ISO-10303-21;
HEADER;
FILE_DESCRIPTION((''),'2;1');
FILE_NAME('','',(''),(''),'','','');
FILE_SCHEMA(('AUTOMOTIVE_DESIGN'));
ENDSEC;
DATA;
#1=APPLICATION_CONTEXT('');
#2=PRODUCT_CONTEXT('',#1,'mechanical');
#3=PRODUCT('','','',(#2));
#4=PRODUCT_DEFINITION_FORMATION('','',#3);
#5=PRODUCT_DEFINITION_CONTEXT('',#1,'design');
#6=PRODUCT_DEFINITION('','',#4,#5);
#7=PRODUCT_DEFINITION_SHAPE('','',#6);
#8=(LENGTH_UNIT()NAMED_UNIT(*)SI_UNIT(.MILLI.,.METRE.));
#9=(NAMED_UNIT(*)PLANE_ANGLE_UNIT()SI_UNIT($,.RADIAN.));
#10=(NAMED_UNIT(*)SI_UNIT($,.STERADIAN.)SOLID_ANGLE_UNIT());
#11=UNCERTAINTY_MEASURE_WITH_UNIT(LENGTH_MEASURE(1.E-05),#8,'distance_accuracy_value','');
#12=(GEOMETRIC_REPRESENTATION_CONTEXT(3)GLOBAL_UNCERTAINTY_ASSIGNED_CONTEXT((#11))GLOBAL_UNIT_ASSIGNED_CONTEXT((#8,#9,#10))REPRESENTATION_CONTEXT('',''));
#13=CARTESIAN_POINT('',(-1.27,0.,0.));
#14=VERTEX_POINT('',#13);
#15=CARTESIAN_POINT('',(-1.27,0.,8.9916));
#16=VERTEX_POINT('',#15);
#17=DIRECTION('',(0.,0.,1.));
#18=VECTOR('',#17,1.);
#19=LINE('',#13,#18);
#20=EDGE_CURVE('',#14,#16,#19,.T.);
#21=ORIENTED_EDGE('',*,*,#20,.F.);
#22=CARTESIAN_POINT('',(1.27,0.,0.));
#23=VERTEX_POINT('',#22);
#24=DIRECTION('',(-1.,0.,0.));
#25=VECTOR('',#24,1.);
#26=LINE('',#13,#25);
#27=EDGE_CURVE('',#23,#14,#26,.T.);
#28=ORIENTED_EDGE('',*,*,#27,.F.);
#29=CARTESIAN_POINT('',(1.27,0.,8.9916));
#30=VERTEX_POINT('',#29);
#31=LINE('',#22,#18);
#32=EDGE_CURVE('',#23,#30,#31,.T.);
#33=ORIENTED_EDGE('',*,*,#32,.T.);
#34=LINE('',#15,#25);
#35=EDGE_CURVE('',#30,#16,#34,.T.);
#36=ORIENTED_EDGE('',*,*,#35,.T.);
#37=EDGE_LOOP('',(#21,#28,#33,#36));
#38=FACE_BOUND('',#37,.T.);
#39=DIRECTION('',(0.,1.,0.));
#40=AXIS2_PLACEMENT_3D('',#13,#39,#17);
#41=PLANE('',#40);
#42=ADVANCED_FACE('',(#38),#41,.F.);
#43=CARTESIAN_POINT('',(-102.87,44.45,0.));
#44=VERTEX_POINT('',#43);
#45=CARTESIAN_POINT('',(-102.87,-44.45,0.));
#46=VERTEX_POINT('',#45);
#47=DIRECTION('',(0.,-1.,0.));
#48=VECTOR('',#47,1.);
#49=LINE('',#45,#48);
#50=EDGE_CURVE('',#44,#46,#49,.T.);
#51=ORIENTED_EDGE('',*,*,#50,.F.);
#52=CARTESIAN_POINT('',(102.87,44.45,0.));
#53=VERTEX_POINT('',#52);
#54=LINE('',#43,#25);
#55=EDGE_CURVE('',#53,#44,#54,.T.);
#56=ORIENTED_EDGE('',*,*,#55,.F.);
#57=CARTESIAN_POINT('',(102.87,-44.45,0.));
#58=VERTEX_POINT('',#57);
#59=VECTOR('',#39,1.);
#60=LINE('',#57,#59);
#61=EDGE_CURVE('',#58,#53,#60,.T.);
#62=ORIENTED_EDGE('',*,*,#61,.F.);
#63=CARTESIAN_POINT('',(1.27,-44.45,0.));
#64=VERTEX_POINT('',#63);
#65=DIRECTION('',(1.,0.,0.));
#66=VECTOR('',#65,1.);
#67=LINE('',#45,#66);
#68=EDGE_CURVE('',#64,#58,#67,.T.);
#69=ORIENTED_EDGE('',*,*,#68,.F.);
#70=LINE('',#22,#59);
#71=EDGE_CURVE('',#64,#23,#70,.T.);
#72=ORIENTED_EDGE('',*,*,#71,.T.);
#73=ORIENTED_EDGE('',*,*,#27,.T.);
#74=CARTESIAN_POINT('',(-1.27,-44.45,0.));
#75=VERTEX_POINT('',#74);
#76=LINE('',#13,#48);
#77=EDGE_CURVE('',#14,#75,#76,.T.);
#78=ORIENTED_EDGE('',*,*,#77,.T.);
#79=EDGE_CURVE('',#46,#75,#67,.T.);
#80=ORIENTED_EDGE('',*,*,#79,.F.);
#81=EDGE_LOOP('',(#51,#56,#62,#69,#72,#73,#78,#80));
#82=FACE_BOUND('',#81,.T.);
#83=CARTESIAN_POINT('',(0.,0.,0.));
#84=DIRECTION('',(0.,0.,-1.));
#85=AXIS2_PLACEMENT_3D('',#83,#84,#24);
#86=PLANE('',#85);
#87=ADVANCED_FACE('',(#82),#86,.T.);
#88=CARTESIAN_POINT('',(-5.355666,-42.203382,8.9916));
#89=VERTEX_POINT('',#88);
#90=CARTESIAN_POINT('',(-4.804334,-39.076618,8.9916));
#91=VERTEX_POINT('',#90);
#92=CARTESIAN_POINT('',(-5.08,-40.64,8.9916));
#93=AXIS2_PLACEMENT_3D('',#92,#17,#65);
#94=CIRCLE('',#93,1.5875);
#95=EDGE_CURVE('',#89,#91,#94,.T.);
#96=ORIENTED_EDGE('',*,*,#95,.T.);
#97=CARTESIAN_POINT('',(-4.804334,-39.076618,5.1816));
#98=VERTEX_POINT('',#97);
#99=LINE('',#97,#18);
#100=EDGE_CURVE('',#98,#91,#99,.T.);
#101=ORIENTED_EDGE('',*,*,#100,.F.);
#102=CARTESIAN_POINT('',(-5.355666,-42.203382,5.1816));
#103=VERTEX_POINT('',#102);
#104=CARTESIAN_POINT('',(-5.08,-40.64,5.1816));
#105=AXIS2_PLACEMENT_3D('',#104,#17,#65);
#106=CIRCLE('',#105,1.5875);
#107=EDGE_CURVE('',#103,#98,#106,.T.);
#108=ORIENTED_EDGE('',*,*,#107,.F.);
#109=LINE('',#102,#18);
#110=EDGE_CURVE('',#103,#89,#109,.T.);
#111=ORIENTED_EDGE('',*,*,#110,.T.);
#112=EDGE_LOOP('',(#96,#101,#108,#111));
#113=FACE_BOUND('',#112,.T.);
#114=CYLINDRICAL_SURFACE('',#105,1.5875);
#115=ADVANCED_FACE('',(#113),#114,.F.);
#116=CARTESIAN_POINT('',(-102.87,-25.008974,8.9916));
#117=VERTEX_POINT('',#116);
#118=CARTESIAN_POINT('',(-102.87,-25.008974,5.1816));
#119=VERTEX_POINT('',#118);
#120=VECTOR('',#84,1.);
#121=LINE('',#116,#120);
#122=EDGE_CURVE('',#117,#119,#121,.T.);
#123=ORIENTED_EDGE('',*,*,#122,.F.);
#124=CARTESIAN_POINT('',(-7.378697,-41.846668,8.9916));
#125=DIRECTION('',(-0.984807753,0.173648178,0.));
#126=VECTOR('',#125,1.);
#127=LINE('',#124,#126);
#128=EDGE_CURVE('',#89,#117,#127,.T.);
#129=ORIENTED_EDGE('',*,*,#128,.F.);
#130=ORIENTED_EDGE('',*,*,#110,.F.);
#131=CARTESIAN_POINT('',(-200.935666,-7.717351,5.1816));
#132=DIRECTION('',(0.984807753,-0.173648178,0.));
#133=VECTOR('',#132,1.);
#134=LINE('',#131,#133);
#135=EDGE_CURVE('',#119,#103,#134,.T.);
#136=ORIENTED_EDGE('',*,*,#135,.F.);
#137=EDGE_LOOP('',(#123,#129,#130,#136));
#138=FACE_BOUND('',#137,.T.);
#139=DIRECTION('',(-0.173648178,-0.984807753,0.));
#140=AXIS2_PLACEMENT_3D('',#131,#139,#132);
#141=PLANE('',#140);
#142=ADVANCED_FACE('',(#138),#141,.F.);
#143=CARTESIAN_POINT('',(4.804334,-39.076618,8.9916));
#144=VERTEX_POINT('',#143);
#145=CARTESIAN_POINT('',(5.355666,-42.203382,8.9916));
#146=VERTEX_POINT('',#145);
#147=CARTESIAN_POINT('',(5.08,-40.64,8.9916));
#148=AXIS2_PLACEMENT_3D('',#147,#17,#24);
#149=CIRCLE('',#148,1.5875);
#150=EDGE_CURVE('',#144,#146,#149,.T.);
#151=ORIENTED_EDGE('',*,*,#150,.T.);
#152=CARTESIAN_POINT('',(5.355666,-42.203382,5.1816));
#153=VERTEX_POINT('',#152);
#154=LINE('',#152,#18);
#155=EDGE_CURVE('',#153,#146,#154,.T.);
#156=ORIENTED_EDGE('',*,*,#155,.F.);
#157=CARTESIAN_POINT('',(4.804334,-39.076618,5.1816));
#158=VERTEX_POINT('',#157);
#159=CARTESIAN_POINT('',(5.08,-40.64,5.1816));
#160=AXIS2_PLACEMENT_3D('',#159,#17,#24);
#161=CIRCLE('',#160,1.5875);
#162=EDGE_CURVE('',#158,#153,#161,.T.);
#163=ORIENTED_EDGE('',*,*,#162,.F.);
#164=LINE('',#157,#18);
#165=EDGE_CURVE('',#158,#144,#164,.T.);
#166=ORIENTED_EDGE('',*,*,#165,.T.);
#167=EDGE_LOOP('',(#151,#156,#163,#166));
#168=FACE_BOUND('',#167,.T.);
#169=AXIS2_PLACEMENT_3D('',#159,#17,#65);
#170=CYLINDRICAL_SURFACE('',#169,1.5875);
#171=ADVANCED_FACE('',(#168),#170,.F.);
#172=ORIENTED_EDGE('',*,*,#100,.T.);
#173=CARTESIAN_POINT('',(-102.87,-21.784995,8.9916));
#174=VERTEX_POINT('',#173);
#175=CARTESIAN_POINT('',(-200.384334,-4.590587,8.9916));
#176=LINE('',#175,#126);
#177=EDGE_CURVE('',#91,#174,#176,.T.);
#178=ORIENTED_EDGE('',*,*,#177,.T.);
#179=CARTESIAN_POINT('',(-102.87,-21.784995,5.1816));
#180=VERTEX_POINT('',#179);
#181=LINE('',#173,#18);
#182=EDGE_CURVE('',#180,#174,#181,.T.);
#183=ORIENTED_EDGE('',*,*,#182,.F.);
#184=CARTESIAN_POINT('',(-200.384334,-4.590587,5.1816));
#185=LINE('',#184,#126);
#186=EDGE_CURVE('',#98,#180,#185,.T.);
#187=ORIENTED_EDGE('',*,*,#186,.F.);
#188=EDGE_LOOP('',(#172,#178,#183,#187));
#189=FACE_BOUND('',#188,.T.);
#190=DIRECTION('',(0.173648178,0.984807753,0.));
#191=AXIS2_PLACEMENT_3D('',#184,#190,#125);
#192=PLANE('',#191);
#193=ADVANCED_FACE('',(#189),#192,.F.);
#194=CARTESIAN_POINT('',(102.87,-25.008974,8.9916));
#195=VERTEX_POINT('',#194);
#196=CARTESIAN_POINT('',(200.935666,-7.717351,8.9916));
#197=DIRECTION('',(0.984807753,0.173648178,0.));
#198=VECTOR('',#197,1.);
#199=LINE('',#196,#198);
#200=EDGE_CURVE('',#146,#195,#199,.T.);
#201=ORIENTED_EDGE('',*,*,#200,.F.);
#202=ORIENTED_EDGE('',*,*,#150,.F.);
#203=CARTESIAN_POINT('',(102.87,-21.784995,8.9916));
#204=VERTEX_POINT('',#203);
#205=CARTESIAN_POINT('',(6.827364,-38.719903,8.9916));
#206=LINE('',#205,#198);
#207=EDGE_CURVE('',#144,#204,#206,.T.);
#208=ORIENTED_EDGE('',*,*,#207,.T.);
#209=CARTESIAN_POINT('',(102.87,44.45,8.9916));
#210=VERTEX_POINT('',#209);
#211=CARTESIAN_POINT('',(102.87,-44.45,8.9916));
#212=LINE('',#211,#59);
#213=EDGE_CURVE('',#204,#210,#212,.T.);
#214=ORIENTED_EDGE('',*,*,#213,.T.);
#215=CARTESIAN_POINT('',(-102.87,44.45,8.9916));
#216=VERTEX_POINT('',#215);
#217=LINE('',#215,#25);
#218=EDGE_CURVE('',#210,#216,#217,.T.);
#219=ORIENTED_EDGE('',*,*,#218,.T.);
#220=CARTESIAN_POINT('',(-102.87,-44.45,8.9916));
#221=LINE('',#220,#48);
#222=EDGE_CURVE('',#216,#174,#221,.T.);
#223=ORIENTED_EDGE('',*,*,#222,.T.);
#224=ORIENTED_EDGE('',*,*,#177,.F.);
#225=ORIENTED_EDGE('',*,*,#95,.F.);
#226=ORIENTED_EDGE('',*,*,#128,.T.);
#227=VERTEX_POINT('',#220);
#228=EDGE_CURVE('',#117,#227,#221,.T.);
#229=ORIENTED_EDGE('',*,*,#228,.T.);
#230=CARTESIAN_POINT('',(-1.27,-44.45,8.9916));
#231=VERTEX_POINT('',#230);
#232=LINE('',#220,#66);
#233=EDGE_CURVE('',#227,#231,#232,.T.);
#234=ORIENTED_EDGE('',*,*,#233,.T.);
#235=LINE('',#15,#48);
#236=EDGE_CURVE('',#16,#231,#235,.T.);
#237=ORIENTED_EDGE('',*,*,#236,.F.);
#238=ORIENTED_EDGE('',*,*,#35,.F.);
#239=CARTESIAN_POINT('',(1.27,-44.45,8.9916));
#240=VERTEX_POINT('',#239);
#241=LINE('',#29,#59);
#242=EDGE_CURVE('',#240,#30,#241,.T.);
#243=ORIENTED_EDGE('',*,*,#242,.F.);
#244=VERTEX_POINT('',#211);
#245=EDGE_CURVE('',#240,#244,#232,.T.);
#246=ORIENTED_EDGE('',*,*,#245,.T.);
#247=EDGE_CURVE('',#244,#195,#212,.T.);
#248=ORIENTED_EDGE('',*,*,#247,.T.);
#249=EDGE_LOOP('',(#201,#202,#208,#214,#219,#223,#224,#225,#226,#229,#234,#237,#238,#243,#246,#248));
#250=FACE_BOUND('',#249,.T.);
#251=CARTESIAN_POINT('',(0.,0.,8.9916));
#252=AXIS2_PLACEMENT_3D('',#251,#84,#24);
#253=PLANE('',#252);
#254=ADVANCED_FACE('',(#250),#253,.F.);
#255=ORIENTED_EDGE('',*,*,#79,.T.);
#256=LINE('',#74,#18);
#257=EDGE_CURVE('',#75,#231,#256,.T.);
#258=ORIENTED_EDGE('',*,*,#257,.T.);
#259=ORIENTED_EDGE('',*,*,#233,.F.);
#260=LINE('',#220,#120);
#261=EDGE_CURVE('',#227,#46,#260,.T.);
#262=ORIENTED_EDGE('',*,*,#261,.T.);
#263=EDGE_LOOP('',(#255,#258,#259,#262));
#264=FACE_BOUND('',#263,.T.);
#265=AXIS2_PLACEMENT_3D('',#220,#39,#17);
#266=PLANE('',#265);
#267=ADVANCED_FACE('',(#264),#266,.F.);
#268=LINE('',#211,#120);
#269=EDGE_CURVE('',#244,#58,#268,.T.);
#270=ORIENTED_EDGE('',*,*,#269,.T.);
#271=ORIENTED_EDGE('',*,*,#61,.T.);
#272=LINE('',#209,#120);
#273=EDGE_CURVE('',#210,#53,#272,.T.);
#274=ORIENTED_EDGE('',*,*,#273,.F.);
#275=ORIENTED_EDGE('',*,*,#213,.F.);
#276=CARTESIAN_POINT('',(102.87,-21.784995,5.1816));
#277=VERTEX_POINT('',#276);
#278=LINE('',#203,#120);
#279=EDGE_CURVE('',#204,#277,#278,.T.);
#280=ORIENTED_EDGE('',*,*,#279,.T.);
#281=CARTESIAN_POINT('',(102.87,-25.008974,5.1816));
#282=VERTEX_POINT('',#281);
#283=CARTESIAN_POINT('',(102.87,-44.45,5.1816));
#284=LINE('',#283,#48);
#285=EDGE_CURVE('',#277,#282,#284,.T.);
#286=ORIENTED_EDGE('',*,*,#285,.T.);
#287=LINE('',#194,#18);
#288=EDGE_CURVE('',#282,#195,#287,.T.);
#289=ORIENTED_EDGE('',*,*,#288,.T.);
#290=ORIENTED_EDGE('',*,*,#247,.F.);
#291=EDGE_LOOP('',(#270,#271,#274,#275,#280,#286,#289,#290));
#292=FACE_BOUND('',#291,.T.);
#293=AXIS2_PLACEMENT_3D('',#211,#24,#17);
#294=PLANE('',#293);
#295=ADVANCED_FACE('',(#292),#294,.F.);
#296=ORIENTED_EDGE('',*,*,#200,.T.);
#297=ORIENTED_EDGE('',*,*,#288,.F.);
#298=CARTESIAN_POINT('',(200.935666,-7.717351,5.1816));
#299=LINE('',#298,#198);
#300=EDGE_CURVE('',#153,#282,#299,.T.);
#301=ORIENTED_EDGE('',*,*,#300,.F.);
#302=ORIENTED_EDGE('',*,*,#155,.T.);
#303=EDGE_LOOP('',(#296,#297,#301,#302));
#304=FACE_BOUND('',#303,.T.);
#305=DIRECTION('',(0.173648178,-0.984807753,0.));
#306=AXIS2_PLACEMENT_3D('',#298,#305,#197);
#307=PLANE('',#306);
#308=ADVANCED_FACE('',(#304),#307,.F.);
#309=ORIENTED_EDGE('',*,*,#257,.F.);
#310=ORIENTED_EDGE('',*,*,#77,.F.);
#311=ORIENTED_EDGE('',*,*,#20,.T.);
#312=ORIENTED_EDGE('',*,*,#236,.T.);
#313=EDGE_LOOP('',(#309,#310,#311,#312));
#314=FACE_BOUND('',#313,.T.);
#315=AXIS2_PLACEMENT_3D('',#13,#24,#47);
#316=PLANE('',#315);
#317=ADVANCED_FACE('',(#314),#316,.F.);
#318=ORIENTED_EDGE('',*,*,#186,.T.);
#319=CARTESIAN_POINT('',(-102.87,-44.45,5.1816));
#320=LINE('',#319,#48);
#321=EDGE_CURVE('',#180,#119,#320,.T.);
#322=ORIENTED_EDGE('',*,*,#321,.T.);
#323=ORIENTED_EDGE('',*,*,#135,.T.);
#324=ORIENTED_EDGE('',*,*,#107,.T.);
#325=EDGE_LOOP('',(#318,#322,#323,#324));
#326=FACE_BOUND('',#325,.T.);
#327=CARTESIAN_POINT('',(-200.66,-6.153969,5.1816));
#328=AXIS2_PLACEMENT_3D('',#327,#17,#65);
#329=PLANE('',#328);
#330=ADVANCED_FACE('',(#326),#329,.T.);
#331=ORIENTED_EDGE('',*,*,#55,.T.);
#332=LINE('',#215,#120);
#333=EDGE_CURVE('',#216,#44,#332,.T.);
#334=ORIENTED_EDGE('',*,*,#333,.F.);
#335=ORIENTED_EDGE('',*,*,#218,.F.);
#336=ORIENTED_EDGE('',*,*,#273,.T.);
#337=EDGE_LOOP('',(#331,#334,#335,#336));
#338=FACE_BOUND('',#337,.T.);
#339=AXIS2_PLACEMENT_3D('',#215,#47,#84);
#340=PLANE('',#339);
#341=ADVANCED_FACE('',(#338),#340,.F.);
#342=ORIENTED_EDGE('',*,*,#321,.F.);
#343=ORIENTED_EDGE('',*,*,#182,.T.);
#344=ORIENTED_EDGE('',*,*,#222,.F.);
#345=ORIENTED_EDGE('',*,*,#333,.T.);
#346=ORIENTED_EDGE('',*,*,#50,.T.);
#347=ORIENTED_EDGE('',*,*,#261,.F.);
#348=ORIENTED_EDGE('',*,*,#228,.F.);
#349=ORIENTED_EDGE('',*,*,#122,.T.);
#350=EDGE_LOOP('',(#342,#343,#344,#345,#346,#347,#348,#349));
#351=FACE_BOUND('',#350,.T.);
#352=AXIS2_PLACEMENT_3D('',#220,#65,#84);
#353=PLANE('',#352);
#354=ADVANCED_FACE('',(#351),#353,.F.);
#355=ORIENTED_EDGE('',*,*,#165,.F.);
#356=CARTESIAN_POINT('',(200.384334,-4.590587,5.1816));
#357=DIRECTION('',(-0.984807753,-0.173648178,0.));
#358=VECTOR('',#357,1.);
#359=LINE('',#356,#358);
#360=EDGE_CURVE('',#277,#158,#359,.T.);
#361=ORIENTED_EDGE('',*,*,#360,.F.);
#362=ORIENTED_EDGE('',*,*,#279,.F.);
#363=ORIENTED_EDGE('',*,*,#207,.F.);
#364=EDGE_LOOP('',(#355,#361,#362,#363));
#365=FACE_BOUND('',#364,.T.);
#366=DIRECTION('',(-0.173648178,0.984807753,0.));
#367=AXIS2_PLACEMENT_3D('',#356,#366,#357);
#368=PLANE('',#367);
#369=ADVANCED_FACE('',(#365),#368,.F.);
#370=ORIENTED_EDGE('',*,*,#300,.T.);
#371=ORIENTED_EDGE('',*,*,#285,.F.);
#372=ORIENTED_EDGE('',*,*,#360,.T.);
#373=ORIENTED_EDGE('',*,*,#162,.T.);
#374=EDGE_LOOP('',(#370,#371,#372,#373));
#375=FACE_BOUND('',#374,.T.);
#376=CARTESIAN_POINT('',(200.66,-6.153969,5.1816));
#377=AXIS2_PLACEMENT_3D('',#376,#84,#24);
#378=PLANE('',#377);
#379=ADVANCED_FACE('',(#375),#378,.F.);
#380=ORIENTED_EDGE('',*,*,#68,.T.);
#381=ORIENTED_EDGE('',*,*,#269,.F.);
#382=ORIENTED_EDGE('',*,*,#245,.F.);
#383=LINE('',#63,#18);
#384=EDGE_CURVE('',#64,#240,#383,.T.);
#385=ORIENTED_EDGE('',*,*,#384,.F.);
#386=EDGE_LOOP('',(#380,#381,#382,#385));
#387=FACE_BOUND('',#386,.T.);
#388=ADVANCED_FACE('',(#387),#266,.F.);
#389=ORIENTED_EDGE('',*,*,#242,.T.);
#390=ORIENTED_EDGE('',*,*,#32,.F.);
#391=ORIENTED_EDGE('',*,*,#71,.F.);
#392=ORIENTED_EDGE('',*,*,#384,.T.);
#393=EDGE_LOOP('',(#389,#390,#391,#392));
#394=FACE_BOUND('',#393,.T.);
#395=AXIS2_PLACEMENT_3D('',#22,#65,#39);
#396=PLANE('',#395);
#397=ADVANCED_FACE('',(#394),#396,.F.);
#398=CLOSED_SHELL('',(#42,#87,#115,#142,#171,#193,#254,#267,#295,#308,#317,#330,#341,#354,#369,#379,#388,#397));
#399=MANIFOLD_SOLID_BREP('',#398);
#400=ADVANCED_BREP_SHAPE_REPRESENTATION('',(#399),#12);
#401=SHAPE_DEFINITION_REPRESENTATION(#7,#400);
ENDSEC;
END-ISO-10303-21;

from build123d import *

# Parameters (mm, degrees)
SKETCH1_W           = 205.74
SKETCH1_H           = 88.9
BOSS_EXTRUDE1_DEPTH = 8.9916
SKETCH2_W           = 2.54
SKETCH2_H           = 44.45
CUT_EXTRUDE1_DEPTH  = 8.9916
CUT_EXTRUDE3_DEPTH  = 3.81


with BuildPart() as part:
    # Sketch1 → Boss-Extrude1 (new body)
    with BuildSketch(Plane.XY):
        Rectangle(SKETCH1_W, SKETCH1_H)
    extrude(amount=BOSS_EXTRUDE1_DEPTH)

    # Sketch2 → Cut-Extrude1 (cut)
    with BuildSketch(Plane.XY.offset(8.9916)):
        with Locations((0, -22.225)):
            Rectangle(SKETCH2_W, SKETCH2_H)
    extrude(amount=-CUT_EXTRUDE1_DEPTH, mode=Mode.SUBTRACT)

    # Sketch4 → Cut-Extrude3 (cut)
    with BuildSketch(Plane.XY.offset(8.9916)):
        with BuildLine():
            Line((-200.384333518, -4.590586805), (-4.804333518, -39.076617692))
            ThreePointArc((-4.804333518, -39.076617692), (-3.516617692, -40.915666482), (-5.355666482, -42.203382308))
            Line((-5.355666482, -42.203382308), (-200.935666482, -7.717351421))
            ThreePointArc((-200.935666482, -7.717351421), (-202.223382308, -5.878302631), (-200.384333518, -4.590586805))
        make_face()
        with BuildLine():
            Line((200.384333518, -4.590586805), (4.804333518, -39.076617692))
            ThreePointArc((4.804333518, -39.076617692), (3.516617692, -40.915666482), (5.355666482, -42.203382308))
            Line((5.355666482, -42.203382308), (200.935666482, -7.717351421))
            ThreePointArc((200.935666482, -7.717351421), (202.223382308, -5.878302631), (200.384333518, -4.590586805))
        make_face()
    extrude(amount=-CUT_EXTRUDE3_DEPTH, mode=Mode.SUBTRACT)


solid = part.part
